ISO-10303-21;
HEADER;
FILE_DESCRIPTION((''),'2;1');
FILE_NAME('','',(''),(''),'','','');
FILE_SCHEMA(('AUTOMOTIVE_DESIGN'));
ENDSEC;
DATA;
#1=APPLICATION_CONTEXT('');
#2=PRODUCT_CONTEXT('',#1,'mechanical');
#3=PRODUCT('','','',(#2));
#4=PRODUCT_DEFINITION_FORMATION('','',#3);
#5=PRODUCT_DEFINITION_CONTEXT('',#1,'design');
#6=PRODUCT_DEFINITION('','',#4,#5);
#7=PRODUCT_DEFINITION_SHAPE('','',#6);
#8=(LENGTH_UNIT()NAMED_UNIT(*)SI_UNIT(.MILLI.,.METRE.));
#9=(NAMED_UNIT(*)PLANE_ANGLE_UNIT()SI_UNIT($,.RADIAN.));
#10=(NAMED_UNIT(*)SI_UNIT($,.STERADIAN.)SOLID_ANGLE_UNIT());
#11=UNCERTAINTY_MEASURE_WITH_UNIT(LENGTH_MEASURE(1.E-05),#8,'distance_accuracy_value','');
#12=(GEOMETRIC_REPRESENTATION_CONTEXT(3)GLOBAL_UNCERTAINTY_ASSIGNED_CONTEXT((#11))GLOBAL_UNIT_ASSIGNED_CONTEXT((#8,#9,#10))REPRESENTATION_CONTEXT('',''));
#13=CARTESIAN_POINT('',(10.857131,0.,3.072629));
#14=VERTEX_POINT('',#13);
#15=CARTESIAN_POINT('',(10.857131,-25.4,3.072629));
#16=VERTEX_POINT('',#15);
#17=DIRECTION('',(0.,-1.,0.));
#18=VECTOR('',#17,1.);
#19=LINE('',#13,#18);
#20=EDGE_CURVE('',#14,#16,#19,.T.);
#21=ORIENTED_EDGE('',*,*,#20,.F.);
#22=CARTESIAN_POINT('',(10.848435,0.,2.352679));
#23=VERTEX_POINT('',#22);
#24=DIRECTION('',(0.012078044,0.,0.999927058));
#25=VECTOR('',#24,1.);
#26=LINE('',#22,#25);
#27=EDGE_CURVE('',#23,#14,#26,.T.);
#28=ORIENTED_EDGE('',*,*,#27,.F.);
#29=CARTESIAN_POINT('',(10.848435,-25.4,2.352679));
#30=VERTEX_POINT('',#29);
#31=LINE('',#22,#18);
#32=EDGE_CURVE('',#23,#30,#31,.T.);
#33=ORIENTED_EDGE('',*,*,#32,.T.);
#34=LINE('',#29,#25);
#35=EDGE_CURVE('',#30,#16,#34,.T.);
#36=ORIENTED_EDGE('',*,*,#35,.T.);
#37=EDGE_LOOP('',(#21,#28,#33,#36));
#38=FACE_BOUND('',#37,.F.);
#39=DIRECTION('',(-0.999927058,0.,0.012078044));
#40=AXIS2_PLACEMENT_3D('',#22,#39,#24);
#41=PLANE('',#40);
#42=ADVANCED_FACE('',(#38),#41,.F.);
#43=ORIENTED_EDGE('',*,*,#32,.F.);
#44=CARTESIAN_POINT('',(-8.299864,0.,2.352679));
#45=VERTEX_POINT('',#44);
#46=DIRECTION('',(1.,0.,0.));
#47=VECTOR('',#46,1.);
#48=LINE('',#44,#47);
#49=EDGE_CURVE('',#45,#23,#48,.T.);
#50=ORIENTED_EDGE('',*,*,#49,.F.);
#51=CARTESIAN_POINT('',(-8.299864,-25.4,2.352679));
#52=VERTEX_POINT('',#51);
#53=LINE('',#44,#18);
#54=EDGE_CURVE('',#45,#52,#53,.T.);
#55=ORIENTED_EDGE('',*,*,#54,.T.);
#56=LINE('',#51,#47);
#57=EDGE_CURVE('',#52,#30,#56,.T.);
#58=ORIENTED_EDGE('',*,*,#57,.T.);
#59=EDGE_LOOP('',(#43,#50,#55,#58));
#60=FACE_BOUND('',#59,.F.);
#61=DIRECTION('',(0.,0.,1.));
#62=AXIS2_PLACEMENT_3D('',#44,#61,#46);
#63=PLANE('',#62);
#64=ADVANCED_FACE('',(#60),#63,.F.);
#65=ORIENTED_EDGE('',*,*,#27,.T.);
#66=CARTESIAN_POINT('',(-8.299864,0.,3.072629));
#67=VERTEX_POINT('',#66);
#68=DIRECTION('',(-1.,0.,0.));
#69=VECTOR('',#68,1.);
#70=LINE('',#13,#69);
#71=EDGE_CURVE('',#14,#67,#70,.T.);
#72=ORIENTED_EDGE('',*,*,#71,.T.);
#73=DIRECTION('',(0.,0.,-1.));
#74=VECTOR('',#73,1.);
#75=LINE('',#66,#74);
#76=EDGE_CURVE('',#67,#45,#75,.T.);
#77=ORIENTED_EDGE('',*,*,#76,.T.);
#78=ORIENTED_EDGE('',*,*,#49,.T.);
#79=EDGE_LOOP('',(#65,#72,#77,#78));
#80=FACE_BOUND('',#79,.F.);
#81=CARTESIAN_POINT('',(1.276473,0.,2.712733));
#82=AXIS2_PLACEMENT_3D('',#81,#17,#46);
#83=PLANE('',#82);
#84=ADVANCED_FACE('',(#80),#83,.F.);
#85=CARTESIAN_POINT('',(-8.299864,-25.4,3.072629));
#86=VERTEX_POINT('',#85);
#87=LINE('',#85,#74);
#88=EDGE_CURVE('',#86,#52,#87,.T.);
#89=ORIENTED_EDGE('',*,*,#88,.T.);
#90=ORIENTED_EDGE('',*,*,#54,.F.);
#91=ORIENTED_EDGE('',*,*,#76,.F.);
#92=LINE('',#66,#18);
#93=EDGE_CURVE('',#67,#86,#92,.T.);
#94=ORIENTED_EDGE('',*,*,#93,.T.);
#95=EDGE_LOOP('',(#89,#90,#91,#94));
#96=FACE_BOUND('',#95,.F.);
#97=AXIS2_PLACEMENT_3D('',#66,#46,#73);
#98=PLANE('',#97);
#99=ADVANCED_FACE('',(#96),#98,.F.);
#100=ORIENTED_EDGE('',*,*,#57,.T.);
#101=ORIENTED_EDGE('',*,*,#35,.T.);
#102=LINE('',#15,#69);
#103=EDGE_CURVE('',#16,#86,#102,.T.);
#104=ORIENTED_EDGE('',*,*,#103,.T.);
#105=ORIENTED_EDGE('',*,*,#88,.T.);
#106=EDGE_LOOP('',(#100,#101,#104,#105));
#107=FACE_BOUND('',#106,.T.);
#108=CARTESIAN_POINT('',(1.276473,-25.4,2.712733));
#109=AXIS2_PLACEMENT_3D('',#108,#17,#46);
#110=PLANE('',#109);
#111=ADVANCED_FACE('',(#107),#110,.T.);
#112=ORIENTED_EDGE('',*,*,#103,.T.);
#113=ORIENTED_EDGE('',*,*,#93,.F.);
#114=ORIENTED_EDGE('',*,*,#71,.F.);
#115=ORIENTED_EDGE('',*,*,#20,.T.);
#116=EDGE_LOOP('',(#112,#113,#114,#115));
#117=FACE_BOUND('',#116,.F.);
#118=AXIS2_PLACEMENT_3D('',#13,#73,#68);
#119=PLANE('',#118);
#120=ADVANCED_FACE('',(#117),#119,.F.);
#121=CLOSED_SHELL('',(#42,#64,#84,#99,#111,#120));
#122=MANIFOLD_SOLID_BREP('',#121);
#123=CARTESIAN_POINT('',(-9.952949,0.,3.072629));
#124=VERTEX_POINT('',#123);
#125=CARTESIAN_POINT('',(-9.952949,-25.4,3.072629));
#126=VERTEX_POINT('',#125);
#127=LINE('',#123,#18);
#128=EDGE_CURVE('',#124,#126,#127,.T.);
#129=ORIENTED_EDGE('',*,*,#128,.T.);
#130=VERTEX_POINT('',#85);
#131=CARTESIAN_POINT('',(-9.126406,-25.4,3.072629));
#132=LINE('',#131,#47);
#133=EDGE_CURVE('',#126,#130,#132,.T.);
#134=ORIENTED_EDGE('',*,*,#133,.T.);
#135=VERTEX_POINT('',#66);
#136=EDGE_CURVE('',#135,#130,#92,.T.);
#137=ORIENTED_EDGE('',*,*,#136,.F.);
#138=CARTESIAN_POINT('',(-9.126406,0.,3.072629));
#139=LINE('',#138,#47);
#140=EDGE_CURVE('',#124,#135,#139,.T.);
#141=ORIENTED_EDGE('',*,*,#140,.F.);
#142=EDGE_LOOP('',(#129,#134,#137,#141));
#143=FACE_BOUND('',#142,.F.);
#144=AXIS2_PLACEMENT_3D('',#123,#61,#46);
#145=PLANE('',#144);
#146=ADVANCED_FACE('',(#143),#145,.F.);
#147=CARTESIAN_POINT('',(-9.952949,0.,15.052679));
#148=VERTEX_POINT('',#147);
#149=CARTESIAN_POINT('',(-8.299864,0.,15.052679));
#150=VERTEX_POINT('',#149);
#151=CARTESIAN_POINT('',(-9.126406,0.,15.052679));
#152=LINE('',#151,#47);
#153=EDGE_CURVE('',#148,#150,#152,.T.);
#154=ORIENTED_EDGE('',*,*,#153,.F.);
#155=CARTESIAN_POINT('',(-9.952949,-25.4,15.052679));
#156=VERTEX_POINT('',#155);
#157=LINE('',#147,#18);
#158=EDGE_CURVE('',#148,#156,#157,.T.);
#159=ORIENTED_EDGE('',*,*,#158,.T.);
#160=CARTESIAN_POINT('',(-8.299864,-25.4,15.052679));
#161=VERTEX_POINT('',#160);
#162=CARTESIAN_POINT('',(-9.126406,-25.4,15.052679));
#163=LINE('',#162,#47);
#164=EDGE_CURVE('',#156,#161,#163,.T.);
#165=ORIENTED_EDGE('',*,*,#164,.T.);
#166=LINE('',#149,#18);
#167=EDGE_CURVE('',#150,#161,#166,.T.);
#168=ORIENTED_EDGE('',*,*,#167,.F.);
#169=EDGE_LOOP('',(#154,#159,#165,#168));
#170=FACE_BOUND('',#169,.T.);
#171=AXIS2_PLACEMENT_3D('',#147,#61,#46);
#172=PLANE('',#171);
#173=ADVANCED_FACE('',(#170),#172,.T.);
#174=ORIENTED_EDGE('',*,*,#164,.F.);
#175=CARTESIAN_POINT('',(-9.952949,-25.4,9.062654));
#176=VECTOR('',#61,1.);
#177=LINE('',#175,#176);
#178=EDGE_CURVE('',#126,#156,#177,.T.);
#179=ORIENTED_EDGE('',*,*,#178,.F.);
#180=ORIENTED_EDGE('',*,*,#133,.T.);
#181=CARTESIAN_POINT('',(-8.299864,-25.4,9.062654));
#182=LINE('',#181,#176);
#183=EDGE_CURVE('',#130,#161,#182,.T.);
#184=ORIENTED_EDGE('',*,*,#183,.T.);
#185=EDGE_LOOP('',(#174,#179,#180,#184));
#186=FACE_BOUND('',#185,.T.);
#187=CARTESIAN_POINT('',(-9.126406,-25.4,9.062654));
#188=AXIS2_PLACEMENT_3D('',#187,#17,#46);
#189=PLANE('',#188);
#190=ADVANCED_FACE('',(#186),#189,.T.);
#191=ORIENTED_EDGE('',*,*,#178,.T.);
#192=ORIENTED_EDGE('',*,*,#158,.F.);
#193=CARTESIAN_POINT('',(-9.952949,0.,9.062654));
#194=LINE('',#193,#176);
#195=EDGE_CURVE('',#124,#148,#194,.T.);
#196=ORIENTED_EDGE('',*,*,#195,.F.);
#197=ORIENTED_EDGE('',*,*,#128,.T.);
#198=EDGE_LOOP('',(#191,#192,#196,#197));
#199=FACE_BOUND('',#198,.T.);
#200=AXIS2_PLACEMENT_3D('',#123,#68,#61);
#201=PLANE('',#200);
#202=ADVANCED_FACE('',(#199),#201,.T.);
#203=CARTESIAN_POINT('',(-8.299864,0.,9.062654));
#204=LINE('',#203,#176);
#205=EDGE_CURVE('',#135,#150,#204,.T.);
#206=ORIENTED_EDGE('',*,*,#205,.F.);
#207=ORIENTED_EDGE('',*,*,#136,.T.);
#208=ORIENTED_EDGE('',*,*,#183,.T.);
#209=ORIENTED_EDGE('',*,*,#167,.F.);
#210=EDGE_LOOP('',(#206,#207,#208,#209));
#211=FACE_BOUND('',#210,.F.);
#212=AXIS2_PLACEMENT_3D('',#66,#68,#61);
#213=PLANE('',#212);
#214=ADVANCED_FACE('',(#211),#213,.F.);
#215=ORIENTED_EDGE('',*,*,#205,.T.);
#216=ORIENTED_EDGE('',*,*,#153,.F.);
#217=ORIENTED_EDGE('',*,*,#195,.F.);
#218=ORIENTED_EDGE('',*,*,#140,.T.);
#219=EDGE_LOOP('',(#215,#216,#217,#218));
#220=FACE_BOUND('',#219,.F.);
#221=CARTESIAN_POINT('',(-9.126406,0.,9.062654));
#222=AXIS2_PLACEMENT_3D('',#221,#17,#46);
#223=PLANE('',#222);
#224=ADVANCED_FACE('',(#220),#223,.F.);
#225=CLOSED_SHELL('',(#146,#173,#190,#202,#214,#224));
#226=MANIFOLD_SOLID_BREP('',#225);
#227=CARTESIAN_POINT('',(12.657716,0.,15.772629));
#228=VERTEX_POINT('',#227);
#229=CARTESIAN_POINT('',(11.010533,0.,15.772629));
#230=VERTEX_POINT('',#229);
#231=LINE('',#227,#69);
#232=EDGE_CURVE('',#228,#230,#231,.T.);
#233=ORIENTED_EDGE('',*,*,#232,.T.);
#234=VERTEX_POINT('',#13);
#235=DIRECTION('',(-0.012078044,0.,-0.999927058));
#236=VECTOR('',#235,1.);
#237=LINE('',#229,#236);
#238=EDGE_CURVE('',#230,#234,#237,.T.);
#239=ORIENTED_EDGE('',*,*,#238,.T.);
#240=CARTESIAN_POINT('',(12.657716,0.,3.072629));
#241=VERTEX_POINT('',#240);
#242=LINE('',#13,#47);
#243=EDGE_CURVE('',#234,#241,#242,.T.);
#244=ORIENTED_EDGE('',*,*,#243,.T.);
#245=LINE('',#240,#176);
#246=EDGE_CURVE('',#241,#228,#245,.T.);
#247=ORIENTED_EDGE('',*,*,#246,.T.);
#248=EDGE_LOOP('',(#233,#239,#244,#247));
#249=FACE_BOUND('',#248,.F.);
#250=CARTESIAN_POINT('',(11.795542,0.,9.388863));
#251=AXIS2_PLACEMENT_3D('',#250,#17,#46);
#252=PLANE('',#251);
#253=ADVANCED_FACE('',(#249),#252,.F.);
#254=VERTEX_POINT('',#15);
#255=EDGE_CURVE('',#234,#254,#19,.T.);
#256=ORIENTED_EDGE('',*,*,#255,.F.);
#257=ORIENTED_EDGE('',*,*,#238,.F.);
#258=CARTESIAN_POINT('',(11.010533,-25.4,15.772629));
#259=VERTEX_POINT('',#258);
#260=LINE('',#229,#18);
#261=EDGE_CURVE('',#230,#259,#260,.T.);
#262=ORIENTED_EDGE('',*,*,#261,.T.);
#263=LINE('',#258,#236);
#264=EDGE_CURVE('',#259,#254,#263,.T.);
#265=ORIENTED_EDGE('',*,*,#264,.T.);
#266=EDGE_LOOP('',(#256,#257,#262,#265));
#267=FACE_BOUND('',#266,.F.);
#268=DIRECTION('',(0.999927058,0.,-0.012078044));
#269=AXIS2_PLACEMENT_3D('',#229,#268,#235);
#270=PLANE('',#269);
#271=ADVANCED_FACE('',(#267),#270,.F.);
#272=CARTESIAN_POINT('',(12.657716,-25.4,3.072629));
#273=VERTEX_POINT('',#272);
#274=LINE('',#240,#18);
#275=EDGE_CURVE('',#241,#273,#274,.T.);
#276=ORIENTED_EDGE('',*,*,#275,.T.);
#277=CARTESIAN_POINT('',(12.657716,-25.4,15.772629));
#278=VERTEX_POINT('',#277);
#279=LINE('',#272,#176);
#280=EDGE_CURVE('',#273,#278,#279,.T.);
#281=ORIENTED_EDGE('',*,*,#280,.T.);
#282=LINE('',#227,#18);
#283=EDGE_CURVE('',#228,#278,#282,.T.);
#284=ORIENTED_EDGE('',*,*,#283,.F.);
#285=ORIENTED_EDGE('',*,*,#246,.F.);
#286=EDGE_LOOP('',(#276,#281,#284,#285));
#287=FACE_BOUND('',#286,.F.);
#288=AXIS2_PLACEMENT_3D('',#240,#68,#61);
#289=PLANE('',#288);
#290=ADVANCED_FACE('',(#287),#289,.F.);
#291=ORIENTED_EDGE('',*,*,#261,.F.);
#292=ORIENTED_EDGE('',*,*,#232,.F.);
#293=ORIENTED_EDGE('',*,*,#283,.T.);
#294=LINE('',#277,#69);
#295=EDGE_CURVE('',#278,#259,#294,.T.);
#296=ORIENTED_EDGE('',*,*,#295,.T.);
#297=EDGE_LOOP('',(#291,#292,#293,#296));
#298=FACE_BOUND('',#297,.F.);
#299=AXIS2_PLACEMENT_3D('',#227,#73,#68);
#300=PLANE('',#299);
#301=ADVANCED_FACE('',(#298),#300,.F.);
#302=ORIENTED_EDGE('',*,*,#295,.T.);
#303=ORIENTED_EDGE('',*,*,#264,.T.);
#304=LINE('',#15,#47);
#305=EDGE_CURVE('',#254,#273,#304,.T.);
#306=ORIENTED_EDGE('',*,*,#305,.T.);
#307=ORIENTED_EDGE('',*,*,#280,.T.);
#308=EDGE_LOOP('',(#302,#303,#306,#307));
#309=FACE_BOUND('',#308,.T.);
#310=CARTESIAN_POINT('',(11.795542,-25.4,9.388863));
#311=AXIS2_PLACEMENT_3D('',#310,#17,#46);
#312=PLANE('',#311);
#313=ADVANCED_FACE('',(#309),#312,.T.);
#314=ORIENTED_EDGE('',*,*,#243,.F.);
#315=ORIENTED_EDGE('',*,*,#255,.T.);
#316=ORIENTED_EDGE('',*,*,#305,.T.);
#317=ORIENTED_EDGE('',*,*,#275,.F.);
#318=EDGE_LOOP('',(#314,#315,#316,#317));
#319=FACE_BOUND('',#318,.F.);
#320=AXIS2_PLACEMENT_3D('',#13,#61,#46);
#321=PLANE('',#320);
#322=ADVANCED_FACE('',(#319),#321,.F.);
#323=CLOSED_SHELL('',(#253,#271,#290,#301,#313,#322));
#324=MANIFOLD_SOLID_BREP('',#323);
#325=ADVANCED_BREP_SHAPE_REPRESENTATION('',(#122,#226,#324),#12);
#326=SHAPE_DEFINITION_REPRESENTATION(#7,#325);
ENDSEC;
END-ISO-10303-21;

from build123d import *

# Parameters (mm, degrees)
F1_DEPTH = 25.4
F0_W     = 1.6530854926
F0_H     = 11.9800508386


with BuildPart() as f1:
    # F0 (on Front) → F1 (new body)
    with BuildSketch(Plane.XZ):
        Polygon((10.8571308537, 3.0726285186), (-8.2998636753, 3.0726285186), (-8.2998636753, 2.3526793572), (8.1842970103, 2.3526793572), (10.848434642, 2.3526793572), align=None)
    extrude(amount=F1_DEPTH)


with BuildPart() as f1b:
    # F0 (on Front) → F1, piece 2 (new body)
    with BuildSketch(Plane.XZ):
        with Locations((-9.1264064216, 9.0626539379)):
            Rectangle(F0_W, F0_H)
    extrude(amount=F1_DEPTH)


with BuildPart() as f1c:
    # F0 (on Front) → F1, piece 3 (new body)
    with BuildSketch(Plane.XZ):
        Polygon((11.0105331987, 15.7726285186), (10.8571308537, 3.0726285186), (12.657715939, 3.0726285186), (12.657715939, 15.7726285186), align=None)
    extrude(amount=F1_DEPTH)


solid = Compound([f1.part, f1b.part, f1c.part])
